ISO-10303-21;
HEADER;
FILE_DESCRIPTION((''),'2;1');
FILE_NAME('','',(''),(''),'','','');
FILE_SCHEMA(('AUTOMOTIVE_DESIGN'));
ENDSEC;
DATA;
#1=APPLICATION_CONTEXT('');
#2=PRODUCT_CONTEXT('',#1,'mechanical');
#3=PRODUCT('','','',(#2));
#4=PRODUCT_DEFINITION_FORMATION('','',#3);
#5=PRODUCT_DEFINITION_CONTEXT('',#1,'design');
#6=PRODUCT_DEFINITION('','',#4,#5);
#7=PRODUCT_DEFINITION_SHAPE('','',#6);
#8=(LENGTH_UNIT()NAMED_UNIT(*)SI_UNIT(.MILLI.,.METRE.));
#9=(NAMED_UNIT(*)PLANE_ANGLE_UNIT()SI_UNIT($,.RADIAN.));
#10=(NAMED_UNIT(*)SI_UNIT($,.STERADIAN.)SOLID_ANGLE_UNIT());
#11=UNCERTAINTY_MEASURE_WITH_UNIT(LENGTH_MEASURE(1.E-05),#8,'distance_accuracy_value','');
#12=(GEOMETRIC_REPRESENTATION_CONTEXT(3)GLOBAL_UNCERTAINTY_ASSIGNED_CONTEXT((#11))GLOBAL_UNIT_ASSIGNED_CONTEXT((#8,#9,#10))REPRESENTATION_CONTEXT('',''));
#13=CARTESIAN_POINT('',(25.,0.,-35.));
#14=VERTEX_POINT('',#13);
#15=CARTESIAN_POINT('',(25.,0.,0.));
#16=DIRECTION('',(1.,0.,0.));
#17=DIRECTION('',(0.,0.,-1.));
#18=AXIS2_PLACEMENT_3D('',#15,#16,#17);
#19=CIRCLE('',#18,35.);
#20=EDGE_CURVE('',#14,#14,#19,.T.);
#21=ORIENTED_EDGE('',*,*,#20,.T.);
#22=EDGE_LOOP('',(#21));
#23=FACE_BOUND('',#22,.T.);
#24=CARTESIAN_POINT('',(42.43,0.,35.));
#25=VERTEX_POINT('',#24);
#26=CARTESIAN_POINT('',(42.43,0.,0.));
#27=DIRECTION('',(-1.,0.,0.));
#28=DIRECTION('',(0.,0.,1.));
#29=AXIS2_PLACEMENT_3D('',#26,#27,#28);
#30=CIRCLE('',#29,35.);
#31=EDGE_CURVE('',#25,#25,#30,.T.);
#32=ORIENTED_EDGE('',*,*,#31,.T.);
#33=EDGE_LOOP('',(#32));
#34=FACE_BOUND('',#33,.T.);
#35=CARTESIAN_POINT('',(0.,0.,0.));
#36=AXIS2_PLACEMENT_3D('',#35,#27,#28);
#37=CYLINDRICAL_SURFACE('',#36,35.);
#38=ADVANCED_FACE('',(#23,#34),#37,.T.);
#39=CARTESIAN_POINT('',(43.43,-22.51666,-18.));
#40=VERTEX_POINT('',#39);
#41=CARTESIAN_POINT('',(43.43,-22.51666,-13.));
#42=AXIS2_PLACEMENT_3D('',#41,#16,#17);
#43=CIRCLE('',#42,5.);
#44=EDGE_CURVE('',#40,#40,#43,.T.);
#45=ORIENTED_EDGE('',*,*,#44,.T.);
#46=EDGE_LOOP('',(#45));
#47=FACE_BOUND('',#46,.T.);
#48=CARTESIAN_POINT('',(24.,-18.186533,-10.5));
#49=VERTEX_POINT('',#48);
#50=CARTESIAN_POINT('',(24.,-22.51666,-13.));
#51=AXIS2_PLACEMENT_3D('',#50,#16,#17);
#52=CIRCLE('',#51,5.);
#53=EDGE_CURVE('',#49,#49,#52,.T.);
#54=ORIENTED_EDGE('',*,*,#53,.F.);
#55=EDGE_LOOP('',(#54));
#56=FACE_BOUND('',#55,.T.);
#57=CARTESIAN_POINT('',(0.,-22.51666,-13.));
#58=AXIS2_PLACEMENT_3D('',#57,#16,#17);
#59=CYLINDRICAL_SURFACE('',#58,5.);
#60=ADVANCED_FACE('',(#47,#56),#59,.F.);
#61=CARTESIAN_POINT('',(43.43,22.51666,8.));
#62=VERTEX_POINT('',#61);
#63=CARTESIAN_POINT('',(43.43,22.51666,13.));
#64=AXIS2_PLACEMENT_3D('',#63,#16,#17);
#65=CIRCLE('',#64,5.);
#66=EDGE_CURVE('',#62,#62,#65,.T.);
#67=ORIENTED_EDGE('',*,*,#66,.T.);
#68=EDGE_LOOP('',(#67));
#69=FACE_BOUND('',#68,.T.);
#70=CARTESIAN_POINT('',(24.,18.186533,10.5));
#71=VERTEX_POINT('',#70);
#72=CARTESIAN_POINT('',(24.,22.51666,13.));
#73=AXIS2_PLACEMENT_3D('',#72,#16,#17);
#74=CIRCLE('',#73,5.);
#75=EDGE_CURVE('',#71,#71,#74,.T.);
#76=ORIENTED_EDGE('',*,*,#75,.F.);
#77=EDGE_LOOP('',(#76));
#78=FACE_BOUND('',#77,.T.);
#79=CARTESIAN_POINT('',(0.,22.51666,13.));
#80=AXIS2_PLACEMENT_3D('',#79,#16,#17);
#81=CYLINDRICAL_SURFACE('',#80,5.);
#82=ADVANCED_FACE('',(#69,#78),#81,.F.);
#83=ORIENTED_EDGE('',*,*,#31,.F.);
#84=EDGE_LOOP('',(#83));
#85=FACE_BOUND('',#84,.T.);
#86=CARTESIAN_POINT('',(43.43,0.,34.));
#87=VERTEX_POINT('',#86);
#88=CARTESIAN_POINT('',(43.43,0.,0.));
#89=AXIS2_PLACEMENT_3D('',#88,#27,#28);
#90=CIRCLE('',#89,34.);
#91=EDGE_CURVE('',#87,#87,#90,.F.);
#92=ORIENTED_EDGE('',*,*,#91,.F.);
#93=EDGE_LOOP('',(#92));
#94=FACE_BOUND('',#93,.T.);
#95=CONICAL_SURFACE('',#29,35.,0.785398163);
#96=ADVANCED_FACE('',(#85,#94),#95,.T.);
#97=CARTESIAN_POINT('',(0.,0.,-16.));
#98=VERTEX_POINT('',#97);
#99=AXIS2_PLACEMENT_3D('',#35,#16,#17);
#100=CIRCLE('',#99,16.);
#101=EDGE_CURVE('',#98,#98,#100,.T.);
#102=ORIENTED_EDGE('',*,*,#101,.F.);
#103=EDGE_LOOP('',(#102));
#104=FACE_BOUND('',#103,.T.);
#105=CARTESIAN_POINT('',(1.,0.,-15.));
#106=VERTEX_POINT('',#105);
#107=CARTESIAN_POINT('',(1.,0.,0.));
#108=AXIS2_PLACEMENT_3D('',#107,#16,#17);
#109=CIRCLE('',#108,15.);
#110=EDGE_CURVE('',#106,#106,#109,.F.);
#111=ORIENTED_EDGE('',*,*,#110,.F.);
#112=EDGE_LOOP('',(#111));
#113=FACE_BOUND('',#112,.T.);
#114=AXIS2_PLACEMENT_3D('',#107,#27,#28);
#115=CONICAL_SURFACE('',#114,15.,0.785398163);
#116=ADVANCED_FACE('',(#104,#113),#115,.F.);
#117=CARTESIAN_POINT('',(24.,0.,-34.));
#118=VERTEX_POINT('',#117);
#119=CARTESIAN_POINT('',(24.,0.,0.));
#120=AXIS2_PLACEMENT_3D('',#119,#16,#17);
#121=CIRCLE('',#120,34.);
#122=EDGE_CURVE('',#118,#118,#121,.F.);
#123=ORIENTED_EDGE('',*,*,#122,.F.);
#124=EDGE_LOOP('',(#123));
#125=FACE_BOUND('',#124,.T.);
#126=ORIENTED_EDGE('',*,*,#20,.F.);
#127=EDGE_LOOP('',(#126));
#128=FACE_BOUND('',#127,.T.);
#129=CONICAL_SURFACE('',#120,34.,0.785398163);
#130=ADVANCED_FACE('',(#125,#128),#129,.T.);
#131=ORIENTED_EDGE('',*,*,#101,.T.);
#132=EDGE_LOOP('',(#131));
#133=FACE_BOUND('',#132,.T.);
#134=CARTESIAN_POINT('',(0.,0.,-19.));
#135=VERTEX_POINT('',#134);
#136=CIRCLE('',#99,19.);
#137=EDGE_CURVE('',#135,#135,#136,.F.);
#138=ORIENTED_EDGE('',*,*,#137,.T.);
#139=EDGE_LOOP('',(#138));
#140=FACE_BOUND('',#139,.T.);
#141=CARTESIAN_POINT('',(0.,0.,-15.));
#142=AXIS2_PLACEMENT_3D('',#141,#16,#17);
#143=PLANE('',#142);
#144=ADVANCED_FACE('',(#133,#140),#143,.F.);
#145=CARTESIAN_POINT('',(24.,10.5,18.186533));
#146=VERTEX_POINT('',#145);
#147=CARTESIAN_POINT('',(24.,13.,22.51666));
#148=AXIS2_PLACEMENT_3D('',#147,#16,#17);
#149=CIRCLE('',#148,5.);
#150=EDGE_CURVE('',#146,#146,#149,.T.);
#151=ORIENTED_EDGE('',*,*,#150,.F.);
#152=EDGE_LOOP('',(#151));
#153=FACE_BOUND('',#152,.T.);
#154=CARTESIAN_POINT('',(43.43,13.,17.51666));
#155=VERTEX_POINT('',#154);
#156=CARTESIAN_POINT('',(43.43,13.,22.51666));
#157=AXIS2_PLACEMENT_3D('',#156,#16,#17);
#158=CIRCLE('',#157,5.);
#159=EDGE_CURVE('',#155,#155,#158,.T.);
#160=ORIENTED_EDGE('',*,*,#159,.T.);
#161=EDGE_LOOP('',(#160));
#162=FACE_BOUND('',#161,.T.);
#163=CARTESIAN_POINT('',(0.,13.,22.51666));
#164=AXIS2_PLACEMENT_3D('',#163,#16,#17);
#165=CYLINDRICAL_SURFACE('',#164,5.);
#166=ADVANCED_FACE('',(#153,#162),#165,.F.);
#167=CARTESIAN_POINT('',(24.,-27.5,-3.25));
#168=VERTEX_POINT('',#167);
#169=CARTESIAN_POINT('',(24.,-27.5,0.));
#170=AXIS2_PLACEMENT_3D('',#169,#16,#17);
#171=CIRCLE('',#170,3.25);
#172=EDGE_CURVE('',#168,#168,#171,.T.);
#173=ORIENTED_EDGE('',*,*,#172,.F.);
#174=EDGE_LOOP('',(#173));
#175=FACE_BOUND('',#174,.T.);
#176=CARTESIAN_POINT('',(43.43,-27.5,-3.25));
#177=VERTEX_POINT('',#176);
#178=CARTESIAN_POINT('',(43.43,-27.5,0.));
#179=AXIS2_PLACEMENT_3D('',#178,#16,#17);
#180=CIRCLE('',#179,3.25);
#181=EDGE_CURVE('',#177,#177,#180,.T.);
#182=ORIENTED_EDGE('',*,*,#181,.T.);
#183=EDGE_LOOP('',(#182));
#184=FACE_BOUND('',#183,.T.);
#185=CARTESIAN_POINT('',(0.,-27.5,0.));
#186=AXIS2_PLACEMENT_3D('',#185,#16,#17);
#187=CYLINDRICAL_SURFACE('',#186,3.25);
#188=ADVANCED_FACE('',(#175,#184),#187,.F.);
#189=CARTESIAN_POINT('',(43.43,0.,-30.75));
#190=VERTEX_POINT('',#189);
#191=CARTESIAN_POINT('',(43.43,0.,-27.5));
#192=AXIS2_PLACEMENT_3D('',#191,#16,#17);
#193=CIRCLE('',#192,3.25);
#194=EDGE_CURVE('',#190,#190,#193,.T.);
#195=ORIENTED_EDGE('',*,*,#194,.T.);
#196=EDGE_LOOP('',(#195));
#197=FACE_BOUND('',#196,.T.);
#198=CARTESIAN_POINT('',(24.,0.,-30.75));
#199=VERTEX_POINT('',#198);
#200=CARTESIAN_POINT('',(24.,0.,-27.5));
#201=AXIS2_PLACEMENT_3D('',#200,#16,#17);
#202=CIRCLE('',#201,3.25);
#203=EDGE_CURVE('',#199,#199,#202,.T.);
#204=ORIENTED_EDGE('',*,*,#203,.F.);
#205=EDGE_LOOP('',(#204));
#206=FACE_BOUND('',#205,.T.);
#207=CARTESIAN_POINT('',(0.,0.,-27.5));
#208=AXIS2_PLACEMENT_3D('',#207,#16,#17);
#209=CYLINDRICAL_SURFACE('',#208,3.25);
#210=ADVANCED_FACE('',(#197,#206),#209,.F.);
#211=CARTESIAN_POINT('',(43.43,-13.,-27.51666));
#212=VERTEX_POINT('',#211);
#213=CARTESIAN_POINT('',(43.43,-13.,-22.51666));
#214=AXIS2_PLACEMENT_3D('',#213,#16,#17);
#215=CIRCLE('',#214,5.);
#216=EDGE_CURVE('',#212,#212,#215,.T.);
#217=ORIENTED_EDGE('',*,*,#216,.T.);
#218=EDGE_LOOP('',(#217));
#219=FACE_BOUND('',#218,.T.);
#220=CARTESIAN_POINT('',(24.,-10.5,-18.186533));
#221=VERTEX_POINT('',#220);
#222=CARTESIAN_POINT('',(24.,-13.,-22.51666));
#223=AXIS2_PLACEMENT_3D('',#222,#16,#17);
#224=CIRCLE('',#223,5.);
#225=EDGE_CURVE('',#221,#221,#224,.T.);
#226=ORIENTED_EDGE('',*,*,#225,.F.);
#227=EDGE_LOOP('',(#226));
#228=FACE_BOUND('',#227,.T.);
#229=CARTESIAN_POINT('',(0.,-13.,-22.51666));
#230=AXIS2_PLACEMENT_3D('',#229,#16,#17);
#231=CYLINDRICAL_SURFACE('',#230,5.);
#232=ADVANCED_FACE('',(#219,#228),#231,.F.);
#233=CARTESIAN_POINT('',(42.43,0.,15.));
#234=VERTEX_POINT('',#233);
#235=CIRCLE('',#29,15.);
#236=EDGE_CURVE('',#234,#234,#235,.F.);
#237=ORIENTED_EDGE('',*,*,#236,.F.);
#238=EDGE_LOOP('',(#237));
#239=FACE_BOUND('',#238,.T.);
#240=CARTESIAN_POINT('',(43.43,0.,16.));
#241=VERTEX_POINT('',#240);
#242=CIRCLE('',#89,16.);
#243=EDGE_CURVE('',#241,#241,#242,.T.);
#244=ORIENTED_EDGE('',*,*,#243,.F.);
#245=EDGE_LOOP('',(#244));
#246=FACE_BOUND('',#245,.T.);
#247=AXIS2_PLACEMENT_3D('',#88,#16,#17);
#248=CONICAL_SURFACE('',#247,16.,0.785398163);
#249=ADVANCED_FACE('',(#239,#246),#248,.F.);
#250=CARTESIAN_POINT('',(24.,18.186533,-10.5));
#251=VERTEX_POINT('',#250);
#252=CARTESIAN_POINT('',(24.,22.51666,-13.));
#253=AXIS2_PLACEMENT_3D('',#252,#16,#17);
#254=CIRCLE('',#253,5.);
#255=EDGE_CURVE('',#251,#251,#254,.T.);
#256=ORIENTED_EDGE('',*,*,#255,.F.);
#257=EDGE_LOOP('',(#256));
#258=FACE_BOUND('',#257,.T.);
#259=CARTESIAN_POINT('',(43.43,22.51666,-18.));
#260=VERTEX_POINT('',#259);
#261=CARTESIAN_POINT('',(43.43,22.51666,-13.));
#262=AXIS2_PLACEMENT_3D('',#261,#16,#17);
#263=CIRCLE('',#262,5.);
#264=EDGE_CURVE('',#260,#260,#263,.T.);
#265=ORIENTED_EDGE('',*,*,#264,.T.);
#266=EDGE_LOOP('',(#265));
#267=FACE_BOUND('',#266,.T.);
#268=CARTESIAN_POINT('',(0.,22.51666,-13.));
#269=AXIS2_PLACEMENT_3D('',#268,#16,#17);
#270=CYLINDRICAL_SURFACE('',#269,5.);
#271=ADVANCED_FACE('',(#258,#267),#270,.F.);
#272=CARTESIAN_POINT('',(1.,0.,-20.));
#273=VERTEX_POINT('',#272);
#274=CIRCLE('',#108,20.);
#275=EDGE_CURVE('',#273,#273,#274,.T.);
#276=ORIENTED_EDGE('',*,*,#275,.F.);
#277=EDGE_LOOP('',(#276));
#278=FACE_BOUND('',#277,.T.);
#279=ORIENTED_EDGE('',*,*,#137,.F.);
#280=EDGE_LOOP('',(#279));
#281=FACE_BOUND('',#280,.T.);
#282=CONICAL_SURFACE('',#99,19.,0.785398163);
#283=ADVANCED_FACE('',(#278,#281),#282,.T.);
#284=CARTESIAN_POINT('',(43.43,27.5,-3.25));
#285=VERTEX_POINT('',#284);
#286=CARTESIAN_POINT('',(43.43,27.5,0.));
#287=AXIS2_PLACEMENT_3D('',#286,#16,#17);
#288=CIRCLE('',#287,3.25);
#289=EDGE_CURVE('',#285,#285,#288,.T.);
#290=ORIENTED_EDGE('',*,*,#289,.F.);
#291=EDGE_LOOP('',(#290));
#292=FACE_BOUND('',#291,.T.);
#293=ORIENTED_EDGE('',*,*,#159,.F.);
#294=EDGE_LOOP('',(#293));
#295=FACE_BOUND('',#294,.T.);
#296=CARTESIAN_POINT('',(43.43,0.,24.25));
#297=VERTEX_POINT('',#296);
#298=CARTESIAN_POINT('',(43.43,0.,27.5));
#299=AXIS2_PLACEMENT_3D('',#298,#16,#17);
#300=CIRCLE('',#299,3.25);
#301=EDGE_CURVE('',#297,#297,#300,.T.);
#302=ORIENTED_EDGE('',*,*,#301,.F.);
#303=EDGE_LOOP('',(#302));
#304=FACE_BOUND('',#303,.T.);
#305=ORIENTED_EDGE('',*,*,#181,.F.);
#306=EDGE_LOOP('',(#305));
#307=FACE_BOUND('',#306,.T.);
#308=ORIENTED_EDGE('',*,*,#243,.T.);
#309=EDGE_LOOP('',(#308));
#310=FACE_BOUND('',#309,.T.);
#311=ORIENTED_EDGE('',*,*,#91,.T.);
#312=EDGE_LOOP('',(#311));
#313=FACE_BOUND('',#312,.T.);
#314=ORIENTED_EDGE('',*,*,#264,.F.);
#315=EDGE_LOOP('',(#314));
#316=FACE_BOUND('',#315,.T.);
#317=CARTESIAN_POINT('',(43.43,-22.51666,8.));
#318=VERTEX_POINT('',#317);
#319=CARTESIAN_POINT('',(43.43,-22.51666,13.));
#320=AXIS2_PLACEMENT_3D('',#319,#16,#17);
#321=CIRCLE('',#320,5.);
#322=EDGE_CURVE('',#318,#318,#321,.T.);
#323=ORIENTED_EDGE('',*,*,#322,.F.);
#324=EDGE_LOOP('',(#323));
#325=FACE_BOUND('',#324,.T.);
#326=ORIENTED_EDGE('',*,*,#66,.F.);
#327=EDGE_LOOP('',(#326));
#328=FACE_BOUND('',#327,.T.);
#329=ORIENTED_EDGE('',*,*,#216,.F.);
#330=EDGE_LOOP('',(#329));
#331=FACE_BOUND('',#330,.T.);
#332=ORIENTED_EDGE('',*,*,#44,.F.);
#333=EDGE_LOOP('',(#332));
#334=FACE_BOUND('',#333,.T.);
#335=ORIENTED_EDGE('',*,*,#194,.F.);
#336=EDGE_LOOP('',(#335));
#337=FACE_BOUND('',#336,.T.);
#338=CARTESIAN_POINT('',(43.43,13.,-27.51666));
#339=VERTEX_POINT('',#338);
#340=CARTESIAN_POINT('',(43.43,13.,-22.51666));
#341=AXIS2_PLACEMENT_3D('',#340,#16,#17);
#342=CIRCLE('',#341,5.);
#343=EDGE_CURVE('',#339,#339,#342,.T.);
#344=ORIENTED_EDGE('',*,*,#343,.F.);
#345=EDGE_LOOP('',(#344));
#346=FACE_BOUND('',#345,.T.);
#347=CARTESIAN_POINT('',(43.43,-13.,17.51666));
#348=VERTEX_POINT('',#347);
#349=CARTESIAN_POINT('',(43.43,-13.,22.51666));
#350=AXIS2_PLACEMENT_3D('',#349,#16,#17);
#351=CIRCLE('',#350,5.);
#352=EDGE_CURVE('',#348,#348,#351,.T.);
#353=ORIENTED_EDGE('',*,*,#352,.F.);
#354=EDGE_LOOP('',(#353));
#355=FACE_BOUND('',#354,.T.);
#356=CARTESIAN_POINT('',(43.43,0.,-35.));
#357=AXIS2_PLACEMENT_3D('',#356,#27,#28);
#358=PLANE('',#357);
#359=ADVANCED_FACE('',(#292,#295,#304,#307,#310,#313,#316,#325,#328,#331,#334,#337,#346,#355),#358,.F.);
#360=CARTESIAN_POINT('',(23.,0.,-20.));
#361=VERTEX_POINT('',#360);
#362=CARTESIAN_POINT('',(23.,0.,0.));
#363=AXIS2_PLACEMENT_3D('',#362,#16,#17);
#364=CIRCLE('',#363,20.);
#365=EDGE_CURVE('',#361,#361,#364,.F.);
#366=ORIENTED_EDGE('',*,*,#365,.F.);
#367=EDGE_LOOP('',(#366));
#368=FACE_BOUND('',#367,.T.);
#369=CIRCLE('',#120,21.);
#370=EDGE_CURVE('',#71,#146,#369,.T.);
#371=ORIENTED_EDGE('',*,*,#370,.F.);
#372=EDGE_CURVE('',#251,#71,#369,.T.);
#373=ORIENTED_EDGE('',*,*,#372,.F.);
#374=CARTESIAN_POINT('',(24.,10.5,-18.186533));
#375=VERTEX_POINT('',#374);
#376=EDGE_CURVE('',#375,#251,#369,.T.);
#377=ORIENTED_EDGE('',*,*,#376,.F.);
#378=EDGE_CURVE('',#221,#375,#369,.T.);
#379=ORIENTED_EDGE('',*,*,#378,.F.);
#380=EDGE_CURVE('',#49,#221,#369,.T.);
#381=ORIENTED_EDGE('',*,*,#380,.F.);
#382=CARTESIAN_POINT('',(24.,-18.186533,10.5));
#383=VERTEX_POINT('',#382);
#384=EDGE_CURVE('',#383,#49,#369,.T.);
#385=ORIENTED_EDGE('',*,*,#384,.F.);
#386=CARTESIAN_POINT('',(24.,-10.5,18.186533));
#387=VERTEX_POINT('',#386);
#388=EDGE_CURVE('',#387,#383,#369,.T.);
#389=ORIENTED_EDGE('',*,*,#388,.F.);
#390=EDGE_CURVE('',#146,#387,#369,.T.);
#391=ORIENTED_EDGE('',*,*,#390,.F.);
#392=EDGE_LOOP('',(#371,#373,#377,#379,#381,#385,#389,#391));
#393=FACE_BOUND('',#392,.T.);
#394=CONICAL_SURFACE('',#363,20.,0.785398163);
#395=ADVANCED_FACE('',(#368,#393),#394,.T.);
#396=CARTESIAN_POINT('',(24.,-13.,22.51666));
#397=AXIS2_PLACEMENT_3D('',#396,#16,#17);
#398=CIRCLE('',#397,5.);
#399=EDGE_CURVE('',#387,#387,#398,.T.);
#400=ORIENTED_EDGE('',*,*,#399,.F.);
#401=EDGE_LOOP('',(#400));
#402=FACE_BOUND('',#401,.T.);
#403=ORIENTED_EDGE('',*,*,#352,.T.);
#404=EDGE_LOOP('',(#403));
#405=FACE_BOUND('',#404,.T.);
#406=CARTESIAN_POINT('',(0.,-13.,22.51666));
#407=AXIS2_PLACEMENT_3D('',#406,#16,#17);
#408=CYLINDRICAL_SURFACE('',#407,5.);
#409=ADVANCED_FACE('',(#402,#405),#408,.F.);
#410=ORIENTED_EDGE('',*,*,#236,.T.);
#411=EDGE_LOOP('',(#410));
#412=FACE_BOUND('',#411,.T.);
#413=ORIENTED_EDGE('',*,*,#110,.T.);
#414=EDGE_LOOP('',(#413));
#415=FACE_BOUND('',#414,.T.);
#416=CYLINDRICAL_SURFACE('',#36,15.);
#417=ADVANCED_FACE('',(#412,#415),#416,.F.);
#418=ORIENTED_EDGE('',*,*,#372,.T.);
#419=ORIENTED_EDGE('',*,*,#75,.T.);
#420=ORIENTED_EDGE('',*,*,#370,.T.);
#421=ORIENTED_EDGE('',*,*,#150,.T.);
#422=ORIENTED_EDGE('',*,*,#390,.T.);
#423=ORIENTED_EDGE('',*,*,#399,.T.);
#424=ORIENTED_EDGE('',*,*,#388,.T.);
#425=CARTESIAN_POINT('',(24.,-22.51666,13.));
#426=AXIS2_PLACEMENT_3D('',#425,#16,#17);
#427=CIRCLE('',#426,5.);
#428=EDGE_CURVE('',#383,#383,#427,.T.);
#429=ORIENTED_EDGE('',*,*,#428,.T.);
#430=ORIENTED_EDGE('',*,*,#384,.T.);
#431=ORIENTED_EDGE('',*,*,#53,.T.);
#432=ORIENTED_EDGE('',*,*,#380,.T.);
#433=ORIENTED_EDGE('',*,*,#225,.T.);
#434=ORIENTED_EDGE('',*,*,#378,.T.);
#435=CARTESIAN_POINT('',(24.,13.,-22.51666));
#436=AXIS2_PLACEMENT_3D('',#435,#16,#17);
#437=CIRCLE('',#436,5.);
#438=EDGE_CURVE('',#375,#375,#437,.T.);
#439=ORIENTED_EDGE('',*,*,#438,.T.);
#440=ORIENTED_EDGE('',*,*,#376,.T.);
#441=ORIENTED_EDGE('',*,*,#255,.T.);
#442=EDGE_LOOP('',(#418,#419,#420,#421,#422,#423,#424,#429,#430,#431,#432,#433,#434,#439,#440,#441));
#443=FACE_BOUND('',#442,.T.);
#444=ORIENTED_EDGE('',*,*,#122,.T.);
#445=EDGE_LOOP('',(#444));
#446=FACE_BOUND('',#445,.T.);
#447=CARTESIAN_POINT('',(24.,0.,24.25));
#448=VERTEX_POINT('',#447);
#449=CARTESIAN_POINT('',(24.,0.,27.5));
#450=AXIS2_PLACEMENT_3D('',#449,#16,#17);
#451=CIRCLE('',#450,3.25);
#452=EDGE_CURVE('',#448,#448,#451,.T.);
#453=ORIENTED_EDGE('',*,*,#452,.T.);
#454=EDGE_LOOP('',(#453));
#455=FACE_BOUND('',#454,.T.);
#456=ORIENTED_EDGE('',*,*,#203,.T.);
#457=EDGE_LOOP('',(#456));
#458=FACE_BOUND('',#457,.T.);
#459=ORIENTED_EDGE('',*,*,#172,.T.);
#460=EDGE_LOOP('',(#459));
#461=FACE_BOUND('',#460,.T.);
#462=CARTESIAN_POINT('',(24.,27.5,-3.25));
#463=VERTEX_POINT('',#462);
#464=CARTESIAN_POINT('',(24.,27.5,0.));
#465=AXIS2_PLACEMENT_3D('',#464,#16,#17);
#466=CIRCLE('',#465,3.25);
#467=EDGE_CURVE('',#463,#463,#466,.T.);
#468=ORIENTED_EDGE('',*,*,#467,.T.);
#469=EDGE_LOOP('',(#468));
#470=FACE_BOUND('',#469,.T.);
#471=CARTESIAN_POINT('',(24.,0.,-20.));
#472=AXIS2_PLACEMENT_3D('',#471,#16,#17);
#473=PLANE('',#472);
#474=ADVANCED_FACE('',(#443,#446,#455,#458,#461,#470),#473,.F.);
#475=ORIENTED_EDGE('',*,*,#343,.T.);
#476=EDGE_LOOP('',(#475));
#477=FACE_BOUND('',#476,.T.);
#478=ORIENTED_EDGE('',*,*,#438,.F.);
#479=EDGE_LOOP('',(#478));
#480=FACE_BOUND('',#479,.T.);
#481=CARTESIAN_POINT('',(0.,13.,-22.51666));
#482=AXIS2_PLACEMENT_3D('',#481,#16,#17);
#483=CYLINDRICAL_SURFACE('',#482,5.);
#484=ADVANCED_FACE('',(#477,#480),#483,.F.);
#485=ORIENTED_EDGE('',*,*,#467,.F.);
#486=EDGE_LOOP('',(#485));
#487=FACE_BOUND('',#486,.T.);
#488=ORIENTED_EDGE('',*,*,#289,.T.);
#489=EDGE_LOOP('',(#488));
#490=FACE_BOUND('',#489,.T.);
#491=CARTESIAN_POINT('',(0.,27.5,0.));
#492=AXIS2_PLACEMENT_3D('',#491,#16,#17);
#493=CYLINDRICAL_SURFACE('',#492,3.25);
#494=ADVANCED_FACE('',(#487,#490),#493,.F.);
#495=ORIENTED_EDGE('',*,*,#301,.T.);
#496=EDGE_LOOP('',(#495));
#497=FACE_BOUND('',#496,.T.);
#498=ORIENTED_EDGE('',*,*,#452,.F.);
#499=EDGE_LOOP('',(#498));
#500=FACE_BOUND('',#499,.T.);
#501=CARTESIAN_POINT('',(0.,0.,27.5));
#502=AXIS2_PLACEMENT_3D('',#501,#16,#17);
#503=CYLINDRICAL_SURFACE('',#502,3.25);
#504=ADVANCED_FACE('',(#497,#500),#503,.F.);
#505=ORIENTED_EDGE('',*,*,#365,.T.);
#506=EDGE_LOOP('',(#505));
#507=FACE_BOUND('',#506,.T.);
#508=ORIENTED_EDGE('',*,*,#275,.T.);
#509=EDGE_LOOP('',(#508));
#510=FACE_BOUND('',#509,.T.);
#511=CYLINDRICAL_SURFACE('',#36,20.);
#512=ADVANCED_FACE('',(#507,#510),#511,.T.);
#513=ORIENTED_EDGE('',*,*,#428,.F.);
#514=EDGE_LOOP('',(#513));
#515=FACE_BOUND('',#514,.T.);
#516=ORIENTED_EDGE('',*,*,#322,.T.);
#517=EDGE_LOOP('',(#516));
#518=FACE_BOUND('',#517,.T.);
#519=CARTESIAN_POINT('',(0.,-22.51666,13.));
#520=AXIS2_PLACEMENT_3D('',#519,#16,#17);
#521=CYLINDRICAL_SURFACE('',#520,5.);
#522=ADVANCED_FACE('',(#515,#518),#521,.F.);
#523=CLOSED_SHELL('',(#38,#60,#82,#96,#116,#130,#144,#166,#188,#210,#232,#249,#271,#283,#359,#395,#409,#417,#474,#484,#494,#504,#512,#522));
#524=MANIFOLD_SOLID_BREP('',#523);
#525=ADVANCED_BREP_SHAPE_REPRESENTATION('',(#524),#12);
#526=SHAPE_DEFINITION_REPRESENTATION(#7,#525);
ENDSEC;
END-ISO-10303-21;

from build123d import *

# Parameters (mm, degrees)
SKETCH2_R              = 3.25
CUT_EXTRUDE1_DEPTH     = 66.849562641
CHAMFER1_SIZE          = 1
SKETCH3_R              = 5
LIGHTENING_HOLES_DEPTH = 66.849562641


with BuildPart() as part:
    # Sketch1 → Revolve1 (revolve)
    with BuildSketch(Plane(origin=(0, 0, 0), x_dir=(1, 0, 0), z_dir=(0, 1, 0)), mode=Mode.PRIVATE) as revolve1_sk:
        Polygon((0, 20), (24, 20), (24, 35), (43.43, 35), (43.43, 15), (0, 15), align=None)
    revolve(revolve1_sk.sketch.rotate(Axis((0, 0, 0), (1, 0, 0)), 180), axis=Axis((0, 0, 0), (1, 0, 0)))

    # Sketch2 → Cut-Extrude1 (cut, through all)
    with BuildSketch(Plane(origin=(43.43, 0, 0), x_dir=(0, 0, -1), z_dir=(1, 0, 0))):
        with Locations((0, 27.5)):
            Circle(SKETCH2_R)
        with Locations((27.5, 0)):
            Circle(SKETCH2_R)
        with Locations((-27.5, 0)):
            Circle(SKETCH2_R)
        with Locations((0, -27.5)):
            Circle(SKETCH2_R)
    extrude(amount=-CUT_EXTRUDE1_DEPTH, mode=Mode.SUBTRACT)

    # Chamfer1
    chamfer1_edges = [part.edges().sort_by_distance(p)[0] for p in [
        (0, 0, -15),
        (43.43, 0, -15),
        (43.43, 0, -35),
        (24, 0, -35),
        (24, 0, -20),
        (0, 0, -20),
    ]]
    chamfer(chamfer1_edges, length=CHAMFER1_SIZE)

    # Sketch3 → lightening holes (cut, through all)
    with BuildSketch(Plane(origin=(43.43, 0, 0), x_dir=(0, 0, -1), z_dir=(1, 0, 0))):
        with Locations((13, 22.516660498)):
            Circle(SKETCH3_R)
        with Locations((22.516660498, 13)):
            Circle(SKETCH3_R)
        with Locations((22.516660498, -13)):
            Circle(SKETCH3_R)
        with Locations((13, -22.516660498)):
            Circle(SKETCH3_R)
        with Locations((-13, -22.516660498)):
            Circle(SKETCH3_R)
        with Locations((-22.516660498, -13)):
            Circle(SKETCH3_R)
        with Locations((-22.516660498, 13)):
            Circle(SKETCH3_R)
        with Locations((-13, 22.516660498)):
            Circle(SKETCH3_R)
    extrude(amount=-LIGHTENING_HOLES_DEPTH, mode=Mode.SUBTRACT)


solid = part.part
